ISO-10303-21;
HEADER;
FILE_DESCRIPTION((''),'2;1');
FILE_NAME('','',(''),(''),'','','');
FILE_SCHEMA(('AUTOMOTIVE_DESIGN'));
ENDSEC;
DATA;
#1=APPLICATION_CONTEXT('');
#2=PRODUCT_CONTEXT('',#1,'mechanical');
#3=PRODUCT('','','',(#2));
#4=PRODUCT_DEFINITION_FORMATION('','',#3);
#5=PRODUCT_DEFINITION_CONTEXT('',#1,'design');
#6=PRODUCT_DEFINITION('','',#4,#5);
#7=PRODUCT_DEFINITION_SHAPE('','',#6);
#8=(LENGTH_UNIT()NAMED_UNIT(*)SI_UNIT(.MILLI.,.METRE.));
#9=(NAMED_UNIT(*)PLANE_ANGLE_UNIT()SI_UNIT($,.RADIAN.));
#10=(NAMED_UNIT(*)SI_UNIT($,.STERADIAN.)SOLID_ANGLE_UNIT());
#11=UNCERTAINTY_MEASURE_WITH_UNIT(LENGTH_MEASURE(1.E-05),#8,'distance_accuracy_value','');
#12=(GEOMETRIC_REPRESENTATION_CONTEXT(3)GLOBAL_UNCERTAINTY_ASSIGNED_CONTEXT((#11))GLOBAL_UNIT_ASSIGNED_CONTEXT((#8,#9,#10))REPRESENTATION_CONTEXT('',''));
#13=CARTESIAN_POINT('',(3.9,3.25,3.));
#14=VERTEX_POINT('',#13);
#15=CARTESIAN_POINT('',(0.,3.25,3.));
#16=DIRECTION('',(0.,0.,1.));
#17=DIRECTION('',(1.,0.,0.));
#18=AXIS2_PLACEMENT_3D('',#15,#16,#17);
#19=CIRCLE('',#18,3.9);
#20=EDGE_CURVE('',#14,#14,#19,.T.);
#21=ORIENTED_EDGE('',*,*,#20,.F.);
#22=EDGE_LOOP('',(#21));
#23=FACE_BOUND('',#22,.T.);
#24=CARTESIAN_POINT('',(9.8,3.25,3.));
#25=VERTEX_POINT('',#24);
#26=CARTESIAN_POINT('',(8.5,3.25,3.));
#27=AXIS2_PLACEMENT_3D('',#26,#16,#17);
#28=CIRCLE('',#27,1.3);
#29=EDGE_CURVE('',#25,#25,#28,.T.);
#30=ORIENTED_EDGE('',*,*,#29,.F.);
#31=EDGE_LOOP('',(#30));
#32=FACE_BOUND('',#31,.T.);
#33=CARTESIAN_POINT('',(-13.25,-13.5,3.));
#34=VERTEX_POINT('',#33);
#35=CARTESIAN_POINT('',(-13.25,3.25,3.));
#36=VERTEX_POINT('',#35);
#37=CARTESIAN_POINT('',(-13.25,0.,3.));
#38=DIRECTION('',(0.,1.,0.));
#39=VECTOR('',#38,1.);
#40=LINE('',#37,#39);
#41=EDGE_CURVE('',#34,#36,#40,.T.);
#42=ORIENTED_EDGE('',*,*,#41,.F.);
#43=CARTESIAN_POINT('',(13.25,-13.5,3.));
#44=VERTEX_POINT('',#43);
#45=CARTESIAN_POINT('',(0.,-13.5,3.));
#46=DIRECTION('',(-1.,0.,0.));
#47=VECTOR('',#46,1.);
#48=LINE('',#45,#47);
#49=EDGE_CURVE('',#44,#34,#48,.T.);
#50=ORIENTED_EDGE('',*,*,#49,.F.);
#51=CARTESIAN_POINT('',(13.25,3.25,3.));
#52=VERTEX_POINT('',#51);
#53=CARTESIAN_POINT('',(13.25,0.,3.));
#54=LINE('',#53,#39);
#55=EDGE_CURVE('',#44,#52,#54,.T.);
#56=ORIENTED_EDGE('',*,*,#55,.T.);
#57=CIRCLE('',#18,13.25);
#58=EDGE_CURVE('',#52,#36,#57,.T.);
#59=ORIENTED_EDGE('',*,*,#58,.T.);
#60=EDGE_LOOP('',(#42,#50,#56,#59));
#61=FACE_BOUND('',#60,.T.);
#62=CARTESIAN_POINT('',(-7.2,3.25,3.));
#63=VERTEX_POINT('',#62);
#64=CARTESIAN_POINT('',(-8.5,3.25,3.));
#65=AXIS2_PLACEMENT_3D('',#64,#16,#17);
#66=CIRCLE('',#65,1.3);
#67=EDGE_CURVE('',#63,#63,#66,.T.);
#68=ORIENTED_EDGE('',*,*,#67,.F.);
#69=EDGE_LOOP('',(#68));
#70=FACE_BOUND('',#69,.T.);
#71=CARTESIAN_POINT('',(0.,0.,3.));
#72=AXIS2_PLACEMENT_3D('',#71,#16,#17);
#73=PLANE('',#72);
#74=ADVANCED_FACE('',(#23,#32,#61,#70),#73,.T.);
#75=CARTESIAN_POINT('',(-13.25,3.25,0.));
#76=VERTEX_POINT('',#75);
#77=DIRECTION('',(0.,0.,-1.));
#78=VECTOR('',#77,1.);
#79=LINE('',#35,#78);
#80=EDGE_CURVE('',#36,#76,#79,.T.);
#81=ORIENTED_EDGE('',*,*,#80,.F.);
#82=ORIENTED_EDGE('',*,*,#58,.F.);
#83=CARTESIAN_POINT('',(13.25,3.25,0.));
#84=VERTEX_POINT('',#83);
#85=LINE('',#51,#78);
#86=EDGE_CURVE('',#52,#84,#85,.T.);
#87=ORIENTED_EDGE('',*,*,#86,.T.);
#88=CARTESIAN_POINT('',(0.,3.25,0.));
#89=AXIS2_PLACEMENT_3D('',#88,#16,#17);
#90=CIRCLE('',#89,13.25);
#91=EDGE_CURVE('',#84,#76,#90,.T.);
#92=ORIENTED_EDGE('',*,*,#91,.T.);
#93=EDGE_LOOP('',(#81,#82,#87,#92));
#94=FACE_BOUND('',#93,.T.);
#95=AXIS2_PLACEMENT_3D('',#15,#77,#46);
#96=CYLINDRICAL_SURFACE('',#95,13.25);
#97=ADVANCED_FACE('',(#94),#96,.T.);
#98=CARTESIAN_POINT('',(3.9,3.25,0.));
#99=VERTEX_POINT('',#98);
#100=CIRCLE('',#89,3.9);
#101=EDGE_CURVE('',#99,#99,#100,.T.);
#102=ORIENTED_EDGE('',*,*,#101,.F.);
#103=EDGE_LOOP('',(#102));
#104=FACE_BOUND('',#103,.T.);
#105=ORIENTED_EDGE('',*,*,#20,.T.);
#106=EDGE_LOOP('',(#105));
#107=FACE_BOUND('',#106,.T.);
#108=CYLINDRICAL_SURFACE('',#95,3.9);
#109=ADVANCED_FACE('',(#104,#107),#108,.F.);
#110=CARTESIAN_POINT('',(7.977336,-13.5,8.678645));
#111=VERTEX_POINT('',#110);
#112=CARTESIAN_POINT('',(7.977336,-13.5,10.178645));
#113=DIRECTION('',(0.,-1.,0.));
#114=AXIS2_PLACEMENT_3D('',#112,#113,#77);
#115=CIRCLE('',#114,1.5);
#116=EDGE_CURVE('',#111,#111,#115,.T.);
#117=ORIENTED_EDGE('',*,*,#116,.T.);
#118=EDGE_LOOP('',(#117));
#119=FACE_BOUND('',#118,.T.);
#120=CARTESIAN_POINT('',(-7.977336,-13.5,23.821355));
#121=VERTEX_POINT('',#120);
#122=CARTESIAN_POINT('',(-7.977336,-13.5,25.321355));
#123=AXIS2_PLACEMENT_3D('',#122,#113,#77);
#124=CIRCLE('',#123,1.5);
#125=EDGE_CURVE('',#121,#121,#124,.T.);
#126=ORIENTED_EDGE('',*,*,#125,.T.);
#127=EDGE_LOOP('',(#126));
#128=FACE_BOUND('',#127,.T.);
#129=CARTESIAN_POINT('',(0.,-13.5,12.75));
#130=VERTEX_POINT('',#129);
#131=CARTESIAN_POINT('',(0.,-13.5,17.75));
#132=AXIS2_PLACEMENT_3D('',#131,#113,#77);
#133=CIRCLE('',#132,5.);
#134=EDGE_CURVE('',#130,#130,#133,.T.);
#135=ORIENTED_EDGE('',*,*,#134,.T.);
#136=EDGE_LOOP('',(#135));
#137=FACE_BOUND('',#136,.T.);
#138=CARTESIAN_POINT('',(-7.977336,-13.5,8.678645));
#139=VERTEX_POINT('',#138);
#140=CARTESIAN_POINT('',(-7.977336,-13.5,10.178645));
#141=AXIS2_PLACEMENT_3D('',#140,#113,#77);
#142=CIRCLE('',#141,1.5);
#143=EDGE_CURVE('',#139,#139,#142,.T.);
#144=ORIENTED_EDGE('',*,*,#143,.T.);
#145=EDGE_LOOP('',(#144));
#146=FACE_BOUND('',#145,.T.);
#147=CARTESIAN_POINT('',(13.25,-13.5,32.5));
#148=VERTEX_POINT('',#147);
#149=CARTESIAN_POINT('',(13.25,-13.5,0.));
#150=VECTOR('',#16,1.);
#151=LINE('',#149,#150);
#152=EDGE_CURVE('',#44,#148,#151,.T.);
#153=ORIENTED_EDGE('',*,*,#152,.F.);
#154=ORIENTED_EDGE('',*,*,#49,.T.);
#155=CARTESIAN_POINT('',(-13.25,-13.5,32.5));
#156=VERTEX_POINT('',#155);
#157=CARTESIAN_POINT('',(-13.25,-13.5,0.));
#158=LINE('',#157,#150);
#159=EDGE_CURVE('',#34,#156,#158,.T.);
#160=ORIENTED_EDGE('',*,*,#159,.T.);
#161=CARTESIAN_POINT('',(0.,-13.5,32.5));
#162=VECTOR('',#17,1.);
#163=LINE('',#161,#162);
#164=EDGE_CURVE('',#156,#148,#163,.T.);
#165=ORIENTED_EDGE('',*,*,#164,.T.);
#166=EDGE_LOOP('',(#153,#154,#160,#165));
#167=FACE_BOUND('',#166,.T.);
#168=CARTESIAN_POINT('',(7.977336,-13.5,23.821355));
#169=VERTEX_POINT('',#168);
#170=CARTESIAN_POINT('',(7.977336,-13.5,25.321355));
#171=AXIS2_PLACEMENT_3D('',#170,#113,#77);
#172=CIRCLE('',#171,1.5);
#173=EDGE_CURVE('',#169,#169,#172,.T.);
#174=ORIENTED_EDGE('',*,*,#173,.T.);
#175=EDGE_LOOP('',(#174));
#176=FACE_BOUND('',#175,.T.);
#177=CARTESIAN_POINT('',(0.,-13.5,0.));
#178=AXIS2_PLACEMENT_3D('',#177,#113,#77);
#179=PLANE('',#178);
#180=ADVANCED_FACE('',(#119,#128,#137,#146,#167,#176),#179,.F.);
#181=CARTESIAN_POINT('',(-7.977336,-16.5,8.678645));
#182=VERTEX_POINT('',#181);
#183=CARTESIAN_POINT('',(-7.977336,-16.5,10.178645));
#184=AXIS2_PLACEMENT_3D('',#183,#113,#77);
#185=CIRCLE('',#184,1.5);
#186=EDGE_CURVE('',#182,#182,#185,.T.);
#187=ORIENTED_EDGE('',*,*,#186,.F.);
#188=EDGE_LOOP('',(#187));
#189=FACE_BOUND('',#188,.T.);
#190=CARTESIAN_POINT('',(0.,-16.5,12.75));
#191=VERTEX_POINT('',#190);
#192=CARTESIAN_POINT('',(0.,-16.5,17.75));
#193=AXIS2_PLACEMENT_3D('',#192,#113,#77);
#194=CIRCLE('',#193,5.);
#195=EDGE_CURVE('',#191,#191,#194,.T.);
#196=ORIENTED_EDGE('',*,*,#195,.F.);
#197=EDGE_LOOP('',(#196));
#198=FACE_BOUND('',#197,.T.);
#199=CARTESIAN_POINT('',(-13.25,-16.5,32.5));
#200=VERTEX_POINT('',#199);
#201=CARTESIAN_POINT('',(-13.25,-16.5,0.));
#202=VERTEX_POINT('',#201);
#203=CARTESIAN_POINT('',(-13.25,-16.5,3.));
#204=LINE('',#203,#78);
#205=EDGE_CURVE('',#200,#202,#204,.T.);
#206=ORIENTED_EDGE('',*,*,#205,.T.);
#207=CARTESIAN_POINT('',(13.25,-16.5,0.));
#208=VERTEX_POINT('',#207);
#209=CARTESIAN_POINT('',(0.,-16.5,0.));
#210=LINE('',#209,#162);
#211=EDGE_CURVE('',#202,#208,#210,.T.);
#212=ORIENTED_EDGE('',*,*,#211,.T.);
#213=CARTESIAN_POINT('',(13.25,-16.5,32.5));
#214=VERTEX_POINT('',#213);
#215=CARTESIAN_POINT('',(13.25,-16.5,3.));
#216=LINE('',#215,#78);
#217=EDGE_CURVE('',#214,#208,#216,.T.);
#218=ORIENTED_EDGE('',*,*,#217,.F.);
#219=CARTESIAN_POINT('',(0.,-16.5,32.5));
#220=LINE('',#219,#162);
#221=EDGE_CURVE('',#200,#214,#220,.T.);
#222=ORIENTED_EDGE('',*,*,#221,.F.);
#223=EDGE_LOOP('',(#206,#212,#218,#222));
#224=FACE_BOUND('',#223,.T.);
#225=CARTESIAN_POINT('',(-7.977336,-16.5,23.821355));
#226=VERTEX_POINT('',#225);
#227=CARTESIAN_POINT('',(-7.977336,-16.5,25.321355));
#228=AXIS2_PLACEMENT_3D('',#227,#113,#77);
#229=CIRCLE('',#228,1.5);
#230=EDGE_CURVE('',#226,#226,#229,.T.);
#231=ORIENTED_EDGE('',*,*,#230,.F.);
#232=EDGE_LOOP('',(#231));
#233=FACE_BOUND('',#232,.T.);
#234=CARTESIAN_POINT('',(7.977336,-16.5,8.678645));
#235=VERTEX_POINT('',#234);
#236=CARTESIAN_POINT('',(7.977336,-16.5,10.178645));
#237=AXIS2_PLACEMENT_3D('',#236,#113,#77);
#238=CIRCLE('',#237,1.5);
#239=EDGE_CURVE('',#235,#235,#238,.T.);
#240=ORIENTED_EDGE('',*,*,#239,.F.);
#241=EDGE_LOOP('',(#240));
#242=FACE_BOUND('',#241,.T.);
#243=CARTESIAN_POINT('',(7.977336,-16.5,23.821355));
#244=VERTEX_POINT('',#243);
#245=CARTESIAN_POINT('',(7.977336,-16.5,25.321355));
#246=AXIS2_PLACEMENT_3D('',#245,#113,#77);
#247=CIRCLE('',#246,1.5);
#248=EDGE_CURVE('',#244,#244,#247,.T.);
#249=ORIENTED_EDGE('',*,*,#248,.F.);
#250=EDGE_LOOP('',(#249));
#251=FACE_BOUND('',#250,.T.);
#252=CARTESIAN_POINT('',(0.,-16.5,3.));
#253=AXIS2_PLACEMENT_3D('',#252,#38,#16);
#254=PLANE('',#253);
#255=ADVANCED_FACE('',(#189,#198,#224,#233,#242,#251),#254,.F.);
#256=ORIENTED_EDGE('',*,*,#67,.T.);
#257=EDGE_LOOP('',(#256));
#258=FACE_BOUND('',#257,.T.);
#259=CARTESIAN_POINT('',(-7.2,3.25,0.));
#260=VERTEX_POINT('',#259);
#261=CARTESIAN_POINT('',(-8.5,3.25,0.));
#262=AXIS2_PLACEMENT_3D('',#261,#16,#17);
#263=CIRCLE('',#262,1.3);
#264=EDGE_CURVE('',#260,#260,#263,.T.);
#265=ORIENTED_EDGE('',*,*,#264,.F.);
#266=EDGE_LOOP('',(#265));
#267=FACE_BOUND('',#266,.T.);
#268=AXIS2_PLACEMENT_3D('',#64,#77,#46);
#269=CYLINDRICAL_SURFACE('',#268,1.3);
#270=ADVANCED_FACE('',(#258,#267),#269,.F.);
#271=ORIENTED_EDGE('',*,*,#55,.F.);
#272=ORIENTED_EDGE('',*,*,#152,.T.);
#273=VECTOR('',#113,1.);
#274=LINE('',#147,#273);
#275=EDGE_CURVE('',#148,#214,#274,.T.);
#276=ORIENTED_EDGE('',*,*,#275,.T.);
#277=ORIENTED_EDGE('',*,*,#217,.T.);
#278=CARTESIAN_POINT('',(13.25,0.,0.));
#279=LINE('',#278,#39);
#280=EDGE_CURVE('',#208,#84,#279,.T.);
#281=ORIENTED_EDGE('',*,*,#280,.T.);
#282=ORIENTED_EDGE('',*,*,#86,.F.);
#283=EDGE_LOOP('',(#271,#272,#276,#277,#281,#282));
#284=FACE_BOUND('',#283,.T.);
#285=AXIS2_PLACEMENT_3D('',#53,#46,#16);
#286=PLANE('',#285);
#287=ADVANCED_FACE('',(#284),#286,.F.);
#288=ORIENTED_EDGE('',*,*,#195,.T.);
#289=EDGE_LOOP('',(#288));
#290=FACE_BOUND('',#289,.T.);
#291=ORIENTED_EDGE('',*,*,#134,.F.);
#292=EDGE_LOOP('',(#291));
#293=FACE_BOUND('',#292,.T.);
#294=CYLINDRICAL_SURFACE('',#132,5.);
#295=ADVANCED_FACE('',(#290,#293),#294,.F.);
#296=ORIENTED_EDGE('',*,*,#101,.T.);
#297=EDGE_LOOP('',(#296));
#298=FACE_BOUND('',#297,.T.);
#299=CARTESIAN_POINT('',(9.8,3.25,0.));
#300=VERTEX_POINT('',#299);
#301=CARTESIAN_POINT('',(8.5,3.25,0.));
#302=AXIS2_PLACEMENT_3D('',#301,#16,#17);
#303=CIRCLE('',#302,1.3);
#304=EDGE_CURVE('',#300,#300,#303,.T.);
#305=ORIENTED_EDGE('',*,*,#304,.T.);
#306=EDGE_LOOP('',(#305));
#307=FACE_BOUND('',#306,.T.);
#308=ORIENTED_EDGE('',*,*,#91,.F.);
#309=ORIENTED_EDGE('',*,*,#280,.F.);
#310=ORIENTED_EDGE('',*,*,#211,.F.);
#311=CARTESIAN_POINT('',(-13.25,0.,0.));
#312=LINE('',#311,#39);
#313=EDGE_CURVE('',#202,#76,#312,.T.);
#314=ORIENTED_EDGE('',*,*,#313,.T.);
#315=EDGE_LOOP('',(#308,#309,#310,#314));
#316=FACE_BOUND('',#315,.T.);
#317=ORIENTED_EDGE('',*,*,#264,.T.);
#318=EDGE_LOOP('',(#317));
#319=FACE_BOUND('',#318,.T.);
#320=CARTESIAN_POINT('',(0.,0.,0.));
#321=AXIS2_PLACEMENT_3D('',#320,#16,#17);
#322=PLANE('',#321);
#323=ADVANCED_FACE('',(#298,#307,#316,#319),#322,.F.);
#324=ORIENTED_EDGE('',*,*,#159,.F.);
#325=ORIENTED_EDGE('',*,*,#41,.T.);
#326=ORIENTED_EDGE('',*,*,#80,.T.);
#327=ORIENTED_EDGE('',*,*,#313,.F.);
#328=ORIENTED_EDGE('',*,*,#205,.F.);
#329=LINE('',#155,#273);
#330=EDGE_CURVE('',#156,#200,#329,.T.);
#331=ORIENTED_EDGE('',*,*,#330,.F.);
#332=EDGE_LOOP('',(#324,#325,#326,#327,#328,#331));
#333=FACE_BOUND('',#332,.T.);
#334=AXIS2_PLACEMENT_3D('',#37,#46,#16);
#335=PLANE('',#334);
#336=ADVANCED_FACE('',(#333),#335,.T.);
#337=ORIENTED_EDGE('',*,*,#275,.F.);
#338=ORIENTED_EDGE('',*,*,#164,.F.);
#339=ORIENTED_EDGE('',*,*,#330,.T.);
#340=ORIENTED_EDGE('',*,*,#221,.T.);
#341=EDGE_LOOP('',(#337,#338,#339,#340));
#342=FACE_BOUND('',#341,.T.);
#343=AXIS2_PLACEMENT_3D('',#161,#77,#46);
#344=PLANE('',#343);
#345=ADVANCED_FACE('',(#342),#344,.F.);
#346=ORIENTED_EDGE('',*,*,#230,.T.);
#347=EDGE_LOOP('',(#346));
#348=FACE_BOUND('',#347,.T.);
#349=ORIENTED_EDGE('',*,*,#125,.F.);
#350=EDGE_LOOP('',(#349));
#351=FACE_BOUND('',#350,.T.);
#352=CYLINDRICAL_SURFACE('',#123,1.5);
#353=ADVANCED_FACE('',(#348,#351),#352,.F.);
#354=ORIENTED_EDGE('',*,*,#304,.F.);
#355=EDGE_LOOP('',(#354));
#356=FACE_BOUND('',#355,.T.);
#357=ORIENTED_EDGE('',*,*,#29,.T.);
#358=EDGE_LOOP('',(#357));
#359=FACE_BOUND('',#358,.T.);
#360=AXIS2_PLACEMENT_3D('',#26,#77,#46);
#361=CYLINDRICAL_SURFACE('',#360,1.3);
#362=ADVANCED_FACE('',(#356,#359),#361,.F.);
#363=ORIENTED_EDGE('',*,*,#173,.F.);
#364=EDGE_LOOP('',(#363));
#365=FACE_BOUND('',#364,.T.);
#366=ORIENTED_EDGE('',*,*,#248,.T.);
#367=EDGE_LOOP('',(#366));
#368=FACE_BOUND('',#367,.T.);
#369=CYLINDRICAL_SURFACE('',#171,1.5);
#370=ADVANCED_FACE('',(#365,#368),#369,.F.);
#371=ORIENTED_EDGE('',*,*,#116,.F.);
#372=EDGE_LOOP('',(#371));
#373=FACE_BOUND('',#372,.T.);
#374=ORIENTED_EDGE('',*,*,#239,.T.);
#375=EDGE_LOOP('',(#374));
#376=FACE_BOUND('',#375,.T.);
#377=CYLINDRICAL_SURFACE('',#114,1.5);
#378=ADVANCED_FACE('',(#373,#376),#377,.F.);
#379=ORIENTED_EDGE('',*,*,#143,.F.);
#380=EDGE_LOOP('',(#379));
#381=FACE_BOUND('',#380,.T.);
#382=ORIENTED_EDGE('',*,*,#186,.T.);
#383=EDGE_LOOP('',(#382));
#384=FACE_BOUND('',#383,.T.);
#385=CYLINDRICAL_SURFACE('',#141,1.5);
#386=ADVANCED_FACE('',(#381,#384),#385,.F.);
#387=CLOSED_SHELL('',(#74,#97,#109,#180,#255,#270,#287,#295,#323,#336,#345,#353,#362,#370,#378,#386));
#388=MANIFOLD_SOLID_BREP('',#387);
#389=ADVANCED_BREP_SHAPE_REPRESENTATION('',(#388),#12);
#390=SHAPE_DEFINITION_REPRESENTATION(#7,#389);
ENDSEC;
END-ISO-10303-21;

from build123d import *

# Parameters (mm, degrees)
SKETCH1_R           = 13.25
SKETCH1_R_2         = 1.3
SKETCH1_R_3         = 3.9
BOSS_EXTRUDE1_DEPTH = 3
BOSS_EXTRUDE2_DEPTH = 3


with BuildPart() as part:
    # Sketch1 → Boss-Extrude1 (new body)
    # profile 1 of 2: a face of its own
    with BuildSketch(Plane.XY):
        with Locations((0, 3.25)):
            Circle(SKETCH1_R)
        with Locations((8.5, 3.25)):
            Circle(SKETCH1_R_2, mode=Mode.SUBTRACT)
        with Locations((-8.5, 3.25)):
            Circle(SKETCH1_R_2, mode=Mode.SUBTRACT)
        with Locations((0, 3.25)):
            Circle(SKETCH1_R_3, mode=Mode.SUBTRACT)
    # profile 2 of 2: a face of its own
    with BuildSketch(Plane.XY):
        with BuildLine():
            Line((-13.25, 3.249999993), (-13.25, -16.5))
            Line((-13.25, -16.5), (13.25, -16.5))
            Line((13.25, -16.5), (13.25, 3.25))
            ThreePointArc((13.25, 3.25), (4e-09, -10), (-13.25, 3.249999993))
        make_face()
    extrude(amount=BOSS_EXTRUDE1_DEPTH)

    # Sketch2 → Boss-Extrude2 (add)
    with BuildSketch(Plane.XZ.offset(16.5)):
        with BuildLine():
            Line((0, 32.5), (-13.25, 32.5))
            Line((-13.25, 32.5), (-13.25, 3))
            Line((-13.25, 3), (0, 3))
            Line((0, 3), (0, 10.178644607))
            Line((0, 10.178644607), (-6.477335786, 10.178644607))
            ThreePointArc((-6.477335786, 10.178644607), (-9.037995958, 9.117984436), (-7.977335786, 11.678644607))
            Line((-7.977335786, 11.678644607), (-7.977335786, 23.821355393))
            ThreePointArc((-7.977335786, 23.821355393), (-9.037995958, 26.382015564), (-6.477335786, 25.321355393))
            Line((-6.477335786, 25.321355393), (0, 25.321355393))
            Line((0, 25.321355393), (0, 32.5))
        make_face()
        with BuildLine():
            Line((13.25, 32.5), (0, 32.5))
            Line((0, 32.5), (0, 25.321355393))
            Line((0, 25.321355393), (6.477335786, 25.321355393))
            ThreePointArc((6.477335786, 25.321355393), (7.977335786, 26.821355393), (9.477335786, 25.321355393))
            ThreePointArc((9.477335786, 25.321355393), (9.037995958, 24.260695221), (7.977335786, 23.821355393))
            Line((7.977335786, 23.821355393), (7.977335786, 11.678644607))
            ThreePointArc((7.977335786, 11.678644607), (9.037995958, 11.239304779), (9.477335786, 10.178644607))
            ThreePointArc((9.477335786, 10.178644607), (7.977335786, 8.678644607), (6.477335786, 10.178644607))
            Line((6.477335786, 10.178644607), (0, 10.178644607))
            Line((0, 10.178644607), (0, 3))
            Line((0, 3), (13.25, 3))
            Line((13.25, 3), (13.25, 32.5))
        make_face()
        with BuildLine():
            Line((6.477335786, 25.321355393), (0, 25.321355393))
            Line((0, 25.321355393), (0, 22.75))
            ThreePointArc((0, 22.75), (3.535533906, 21.285533906), (5, 17.75))
            ThreePointArc((5, 17.75), (3.535533906, 14.214466094), (0, 12.75))
            Line((0, 12.75), (0, 10.178644607))
            Line((0, 10.178644607), (6.477335786, 10.178644607))
            ThreePointArc((6.477335786, 10.178644607), (6.916675614, 11.239304779), (7.977335786, 11.678644607))
            Line((7.977335786, 11.678644607), (7.977335786, 23.821355393))
            ThreePointArc((7.977335786, 23.821355393), (6.916675614, 24.260695221), (6.477335786, 25.321355393))
        make_face()
        with BuildLine():
            Line((0, 22.75), (0, 25.321355393))
            Line((0, 25.321355393), (-6.477335786, 25.321355393))
            ThreePointArc((-6.477335786, 25.321355393), (-6.916675614, 24.260695221), (-7.977335786, 23.821355393))
            Line((-7.977335786, 23.821355393), (-7.977335786, 11.678644607))
            ThreePointArc((-7.977335786, 11.678644607), (-6.916675614, 11.239304779), (-6.477335786, 10.178644607))
            Line((-6.477335786, 10.178644607), (0, 10.178644607))
            Line((0, 10.178644607), (0, 12.75))
            ThreePointArc((0, 12.75), (-5, 17.75), (0, 22.75))
        make_face()
    extrude(amount=-BOSS_EXTRUDE2_DEPTH)


solid = part.part
